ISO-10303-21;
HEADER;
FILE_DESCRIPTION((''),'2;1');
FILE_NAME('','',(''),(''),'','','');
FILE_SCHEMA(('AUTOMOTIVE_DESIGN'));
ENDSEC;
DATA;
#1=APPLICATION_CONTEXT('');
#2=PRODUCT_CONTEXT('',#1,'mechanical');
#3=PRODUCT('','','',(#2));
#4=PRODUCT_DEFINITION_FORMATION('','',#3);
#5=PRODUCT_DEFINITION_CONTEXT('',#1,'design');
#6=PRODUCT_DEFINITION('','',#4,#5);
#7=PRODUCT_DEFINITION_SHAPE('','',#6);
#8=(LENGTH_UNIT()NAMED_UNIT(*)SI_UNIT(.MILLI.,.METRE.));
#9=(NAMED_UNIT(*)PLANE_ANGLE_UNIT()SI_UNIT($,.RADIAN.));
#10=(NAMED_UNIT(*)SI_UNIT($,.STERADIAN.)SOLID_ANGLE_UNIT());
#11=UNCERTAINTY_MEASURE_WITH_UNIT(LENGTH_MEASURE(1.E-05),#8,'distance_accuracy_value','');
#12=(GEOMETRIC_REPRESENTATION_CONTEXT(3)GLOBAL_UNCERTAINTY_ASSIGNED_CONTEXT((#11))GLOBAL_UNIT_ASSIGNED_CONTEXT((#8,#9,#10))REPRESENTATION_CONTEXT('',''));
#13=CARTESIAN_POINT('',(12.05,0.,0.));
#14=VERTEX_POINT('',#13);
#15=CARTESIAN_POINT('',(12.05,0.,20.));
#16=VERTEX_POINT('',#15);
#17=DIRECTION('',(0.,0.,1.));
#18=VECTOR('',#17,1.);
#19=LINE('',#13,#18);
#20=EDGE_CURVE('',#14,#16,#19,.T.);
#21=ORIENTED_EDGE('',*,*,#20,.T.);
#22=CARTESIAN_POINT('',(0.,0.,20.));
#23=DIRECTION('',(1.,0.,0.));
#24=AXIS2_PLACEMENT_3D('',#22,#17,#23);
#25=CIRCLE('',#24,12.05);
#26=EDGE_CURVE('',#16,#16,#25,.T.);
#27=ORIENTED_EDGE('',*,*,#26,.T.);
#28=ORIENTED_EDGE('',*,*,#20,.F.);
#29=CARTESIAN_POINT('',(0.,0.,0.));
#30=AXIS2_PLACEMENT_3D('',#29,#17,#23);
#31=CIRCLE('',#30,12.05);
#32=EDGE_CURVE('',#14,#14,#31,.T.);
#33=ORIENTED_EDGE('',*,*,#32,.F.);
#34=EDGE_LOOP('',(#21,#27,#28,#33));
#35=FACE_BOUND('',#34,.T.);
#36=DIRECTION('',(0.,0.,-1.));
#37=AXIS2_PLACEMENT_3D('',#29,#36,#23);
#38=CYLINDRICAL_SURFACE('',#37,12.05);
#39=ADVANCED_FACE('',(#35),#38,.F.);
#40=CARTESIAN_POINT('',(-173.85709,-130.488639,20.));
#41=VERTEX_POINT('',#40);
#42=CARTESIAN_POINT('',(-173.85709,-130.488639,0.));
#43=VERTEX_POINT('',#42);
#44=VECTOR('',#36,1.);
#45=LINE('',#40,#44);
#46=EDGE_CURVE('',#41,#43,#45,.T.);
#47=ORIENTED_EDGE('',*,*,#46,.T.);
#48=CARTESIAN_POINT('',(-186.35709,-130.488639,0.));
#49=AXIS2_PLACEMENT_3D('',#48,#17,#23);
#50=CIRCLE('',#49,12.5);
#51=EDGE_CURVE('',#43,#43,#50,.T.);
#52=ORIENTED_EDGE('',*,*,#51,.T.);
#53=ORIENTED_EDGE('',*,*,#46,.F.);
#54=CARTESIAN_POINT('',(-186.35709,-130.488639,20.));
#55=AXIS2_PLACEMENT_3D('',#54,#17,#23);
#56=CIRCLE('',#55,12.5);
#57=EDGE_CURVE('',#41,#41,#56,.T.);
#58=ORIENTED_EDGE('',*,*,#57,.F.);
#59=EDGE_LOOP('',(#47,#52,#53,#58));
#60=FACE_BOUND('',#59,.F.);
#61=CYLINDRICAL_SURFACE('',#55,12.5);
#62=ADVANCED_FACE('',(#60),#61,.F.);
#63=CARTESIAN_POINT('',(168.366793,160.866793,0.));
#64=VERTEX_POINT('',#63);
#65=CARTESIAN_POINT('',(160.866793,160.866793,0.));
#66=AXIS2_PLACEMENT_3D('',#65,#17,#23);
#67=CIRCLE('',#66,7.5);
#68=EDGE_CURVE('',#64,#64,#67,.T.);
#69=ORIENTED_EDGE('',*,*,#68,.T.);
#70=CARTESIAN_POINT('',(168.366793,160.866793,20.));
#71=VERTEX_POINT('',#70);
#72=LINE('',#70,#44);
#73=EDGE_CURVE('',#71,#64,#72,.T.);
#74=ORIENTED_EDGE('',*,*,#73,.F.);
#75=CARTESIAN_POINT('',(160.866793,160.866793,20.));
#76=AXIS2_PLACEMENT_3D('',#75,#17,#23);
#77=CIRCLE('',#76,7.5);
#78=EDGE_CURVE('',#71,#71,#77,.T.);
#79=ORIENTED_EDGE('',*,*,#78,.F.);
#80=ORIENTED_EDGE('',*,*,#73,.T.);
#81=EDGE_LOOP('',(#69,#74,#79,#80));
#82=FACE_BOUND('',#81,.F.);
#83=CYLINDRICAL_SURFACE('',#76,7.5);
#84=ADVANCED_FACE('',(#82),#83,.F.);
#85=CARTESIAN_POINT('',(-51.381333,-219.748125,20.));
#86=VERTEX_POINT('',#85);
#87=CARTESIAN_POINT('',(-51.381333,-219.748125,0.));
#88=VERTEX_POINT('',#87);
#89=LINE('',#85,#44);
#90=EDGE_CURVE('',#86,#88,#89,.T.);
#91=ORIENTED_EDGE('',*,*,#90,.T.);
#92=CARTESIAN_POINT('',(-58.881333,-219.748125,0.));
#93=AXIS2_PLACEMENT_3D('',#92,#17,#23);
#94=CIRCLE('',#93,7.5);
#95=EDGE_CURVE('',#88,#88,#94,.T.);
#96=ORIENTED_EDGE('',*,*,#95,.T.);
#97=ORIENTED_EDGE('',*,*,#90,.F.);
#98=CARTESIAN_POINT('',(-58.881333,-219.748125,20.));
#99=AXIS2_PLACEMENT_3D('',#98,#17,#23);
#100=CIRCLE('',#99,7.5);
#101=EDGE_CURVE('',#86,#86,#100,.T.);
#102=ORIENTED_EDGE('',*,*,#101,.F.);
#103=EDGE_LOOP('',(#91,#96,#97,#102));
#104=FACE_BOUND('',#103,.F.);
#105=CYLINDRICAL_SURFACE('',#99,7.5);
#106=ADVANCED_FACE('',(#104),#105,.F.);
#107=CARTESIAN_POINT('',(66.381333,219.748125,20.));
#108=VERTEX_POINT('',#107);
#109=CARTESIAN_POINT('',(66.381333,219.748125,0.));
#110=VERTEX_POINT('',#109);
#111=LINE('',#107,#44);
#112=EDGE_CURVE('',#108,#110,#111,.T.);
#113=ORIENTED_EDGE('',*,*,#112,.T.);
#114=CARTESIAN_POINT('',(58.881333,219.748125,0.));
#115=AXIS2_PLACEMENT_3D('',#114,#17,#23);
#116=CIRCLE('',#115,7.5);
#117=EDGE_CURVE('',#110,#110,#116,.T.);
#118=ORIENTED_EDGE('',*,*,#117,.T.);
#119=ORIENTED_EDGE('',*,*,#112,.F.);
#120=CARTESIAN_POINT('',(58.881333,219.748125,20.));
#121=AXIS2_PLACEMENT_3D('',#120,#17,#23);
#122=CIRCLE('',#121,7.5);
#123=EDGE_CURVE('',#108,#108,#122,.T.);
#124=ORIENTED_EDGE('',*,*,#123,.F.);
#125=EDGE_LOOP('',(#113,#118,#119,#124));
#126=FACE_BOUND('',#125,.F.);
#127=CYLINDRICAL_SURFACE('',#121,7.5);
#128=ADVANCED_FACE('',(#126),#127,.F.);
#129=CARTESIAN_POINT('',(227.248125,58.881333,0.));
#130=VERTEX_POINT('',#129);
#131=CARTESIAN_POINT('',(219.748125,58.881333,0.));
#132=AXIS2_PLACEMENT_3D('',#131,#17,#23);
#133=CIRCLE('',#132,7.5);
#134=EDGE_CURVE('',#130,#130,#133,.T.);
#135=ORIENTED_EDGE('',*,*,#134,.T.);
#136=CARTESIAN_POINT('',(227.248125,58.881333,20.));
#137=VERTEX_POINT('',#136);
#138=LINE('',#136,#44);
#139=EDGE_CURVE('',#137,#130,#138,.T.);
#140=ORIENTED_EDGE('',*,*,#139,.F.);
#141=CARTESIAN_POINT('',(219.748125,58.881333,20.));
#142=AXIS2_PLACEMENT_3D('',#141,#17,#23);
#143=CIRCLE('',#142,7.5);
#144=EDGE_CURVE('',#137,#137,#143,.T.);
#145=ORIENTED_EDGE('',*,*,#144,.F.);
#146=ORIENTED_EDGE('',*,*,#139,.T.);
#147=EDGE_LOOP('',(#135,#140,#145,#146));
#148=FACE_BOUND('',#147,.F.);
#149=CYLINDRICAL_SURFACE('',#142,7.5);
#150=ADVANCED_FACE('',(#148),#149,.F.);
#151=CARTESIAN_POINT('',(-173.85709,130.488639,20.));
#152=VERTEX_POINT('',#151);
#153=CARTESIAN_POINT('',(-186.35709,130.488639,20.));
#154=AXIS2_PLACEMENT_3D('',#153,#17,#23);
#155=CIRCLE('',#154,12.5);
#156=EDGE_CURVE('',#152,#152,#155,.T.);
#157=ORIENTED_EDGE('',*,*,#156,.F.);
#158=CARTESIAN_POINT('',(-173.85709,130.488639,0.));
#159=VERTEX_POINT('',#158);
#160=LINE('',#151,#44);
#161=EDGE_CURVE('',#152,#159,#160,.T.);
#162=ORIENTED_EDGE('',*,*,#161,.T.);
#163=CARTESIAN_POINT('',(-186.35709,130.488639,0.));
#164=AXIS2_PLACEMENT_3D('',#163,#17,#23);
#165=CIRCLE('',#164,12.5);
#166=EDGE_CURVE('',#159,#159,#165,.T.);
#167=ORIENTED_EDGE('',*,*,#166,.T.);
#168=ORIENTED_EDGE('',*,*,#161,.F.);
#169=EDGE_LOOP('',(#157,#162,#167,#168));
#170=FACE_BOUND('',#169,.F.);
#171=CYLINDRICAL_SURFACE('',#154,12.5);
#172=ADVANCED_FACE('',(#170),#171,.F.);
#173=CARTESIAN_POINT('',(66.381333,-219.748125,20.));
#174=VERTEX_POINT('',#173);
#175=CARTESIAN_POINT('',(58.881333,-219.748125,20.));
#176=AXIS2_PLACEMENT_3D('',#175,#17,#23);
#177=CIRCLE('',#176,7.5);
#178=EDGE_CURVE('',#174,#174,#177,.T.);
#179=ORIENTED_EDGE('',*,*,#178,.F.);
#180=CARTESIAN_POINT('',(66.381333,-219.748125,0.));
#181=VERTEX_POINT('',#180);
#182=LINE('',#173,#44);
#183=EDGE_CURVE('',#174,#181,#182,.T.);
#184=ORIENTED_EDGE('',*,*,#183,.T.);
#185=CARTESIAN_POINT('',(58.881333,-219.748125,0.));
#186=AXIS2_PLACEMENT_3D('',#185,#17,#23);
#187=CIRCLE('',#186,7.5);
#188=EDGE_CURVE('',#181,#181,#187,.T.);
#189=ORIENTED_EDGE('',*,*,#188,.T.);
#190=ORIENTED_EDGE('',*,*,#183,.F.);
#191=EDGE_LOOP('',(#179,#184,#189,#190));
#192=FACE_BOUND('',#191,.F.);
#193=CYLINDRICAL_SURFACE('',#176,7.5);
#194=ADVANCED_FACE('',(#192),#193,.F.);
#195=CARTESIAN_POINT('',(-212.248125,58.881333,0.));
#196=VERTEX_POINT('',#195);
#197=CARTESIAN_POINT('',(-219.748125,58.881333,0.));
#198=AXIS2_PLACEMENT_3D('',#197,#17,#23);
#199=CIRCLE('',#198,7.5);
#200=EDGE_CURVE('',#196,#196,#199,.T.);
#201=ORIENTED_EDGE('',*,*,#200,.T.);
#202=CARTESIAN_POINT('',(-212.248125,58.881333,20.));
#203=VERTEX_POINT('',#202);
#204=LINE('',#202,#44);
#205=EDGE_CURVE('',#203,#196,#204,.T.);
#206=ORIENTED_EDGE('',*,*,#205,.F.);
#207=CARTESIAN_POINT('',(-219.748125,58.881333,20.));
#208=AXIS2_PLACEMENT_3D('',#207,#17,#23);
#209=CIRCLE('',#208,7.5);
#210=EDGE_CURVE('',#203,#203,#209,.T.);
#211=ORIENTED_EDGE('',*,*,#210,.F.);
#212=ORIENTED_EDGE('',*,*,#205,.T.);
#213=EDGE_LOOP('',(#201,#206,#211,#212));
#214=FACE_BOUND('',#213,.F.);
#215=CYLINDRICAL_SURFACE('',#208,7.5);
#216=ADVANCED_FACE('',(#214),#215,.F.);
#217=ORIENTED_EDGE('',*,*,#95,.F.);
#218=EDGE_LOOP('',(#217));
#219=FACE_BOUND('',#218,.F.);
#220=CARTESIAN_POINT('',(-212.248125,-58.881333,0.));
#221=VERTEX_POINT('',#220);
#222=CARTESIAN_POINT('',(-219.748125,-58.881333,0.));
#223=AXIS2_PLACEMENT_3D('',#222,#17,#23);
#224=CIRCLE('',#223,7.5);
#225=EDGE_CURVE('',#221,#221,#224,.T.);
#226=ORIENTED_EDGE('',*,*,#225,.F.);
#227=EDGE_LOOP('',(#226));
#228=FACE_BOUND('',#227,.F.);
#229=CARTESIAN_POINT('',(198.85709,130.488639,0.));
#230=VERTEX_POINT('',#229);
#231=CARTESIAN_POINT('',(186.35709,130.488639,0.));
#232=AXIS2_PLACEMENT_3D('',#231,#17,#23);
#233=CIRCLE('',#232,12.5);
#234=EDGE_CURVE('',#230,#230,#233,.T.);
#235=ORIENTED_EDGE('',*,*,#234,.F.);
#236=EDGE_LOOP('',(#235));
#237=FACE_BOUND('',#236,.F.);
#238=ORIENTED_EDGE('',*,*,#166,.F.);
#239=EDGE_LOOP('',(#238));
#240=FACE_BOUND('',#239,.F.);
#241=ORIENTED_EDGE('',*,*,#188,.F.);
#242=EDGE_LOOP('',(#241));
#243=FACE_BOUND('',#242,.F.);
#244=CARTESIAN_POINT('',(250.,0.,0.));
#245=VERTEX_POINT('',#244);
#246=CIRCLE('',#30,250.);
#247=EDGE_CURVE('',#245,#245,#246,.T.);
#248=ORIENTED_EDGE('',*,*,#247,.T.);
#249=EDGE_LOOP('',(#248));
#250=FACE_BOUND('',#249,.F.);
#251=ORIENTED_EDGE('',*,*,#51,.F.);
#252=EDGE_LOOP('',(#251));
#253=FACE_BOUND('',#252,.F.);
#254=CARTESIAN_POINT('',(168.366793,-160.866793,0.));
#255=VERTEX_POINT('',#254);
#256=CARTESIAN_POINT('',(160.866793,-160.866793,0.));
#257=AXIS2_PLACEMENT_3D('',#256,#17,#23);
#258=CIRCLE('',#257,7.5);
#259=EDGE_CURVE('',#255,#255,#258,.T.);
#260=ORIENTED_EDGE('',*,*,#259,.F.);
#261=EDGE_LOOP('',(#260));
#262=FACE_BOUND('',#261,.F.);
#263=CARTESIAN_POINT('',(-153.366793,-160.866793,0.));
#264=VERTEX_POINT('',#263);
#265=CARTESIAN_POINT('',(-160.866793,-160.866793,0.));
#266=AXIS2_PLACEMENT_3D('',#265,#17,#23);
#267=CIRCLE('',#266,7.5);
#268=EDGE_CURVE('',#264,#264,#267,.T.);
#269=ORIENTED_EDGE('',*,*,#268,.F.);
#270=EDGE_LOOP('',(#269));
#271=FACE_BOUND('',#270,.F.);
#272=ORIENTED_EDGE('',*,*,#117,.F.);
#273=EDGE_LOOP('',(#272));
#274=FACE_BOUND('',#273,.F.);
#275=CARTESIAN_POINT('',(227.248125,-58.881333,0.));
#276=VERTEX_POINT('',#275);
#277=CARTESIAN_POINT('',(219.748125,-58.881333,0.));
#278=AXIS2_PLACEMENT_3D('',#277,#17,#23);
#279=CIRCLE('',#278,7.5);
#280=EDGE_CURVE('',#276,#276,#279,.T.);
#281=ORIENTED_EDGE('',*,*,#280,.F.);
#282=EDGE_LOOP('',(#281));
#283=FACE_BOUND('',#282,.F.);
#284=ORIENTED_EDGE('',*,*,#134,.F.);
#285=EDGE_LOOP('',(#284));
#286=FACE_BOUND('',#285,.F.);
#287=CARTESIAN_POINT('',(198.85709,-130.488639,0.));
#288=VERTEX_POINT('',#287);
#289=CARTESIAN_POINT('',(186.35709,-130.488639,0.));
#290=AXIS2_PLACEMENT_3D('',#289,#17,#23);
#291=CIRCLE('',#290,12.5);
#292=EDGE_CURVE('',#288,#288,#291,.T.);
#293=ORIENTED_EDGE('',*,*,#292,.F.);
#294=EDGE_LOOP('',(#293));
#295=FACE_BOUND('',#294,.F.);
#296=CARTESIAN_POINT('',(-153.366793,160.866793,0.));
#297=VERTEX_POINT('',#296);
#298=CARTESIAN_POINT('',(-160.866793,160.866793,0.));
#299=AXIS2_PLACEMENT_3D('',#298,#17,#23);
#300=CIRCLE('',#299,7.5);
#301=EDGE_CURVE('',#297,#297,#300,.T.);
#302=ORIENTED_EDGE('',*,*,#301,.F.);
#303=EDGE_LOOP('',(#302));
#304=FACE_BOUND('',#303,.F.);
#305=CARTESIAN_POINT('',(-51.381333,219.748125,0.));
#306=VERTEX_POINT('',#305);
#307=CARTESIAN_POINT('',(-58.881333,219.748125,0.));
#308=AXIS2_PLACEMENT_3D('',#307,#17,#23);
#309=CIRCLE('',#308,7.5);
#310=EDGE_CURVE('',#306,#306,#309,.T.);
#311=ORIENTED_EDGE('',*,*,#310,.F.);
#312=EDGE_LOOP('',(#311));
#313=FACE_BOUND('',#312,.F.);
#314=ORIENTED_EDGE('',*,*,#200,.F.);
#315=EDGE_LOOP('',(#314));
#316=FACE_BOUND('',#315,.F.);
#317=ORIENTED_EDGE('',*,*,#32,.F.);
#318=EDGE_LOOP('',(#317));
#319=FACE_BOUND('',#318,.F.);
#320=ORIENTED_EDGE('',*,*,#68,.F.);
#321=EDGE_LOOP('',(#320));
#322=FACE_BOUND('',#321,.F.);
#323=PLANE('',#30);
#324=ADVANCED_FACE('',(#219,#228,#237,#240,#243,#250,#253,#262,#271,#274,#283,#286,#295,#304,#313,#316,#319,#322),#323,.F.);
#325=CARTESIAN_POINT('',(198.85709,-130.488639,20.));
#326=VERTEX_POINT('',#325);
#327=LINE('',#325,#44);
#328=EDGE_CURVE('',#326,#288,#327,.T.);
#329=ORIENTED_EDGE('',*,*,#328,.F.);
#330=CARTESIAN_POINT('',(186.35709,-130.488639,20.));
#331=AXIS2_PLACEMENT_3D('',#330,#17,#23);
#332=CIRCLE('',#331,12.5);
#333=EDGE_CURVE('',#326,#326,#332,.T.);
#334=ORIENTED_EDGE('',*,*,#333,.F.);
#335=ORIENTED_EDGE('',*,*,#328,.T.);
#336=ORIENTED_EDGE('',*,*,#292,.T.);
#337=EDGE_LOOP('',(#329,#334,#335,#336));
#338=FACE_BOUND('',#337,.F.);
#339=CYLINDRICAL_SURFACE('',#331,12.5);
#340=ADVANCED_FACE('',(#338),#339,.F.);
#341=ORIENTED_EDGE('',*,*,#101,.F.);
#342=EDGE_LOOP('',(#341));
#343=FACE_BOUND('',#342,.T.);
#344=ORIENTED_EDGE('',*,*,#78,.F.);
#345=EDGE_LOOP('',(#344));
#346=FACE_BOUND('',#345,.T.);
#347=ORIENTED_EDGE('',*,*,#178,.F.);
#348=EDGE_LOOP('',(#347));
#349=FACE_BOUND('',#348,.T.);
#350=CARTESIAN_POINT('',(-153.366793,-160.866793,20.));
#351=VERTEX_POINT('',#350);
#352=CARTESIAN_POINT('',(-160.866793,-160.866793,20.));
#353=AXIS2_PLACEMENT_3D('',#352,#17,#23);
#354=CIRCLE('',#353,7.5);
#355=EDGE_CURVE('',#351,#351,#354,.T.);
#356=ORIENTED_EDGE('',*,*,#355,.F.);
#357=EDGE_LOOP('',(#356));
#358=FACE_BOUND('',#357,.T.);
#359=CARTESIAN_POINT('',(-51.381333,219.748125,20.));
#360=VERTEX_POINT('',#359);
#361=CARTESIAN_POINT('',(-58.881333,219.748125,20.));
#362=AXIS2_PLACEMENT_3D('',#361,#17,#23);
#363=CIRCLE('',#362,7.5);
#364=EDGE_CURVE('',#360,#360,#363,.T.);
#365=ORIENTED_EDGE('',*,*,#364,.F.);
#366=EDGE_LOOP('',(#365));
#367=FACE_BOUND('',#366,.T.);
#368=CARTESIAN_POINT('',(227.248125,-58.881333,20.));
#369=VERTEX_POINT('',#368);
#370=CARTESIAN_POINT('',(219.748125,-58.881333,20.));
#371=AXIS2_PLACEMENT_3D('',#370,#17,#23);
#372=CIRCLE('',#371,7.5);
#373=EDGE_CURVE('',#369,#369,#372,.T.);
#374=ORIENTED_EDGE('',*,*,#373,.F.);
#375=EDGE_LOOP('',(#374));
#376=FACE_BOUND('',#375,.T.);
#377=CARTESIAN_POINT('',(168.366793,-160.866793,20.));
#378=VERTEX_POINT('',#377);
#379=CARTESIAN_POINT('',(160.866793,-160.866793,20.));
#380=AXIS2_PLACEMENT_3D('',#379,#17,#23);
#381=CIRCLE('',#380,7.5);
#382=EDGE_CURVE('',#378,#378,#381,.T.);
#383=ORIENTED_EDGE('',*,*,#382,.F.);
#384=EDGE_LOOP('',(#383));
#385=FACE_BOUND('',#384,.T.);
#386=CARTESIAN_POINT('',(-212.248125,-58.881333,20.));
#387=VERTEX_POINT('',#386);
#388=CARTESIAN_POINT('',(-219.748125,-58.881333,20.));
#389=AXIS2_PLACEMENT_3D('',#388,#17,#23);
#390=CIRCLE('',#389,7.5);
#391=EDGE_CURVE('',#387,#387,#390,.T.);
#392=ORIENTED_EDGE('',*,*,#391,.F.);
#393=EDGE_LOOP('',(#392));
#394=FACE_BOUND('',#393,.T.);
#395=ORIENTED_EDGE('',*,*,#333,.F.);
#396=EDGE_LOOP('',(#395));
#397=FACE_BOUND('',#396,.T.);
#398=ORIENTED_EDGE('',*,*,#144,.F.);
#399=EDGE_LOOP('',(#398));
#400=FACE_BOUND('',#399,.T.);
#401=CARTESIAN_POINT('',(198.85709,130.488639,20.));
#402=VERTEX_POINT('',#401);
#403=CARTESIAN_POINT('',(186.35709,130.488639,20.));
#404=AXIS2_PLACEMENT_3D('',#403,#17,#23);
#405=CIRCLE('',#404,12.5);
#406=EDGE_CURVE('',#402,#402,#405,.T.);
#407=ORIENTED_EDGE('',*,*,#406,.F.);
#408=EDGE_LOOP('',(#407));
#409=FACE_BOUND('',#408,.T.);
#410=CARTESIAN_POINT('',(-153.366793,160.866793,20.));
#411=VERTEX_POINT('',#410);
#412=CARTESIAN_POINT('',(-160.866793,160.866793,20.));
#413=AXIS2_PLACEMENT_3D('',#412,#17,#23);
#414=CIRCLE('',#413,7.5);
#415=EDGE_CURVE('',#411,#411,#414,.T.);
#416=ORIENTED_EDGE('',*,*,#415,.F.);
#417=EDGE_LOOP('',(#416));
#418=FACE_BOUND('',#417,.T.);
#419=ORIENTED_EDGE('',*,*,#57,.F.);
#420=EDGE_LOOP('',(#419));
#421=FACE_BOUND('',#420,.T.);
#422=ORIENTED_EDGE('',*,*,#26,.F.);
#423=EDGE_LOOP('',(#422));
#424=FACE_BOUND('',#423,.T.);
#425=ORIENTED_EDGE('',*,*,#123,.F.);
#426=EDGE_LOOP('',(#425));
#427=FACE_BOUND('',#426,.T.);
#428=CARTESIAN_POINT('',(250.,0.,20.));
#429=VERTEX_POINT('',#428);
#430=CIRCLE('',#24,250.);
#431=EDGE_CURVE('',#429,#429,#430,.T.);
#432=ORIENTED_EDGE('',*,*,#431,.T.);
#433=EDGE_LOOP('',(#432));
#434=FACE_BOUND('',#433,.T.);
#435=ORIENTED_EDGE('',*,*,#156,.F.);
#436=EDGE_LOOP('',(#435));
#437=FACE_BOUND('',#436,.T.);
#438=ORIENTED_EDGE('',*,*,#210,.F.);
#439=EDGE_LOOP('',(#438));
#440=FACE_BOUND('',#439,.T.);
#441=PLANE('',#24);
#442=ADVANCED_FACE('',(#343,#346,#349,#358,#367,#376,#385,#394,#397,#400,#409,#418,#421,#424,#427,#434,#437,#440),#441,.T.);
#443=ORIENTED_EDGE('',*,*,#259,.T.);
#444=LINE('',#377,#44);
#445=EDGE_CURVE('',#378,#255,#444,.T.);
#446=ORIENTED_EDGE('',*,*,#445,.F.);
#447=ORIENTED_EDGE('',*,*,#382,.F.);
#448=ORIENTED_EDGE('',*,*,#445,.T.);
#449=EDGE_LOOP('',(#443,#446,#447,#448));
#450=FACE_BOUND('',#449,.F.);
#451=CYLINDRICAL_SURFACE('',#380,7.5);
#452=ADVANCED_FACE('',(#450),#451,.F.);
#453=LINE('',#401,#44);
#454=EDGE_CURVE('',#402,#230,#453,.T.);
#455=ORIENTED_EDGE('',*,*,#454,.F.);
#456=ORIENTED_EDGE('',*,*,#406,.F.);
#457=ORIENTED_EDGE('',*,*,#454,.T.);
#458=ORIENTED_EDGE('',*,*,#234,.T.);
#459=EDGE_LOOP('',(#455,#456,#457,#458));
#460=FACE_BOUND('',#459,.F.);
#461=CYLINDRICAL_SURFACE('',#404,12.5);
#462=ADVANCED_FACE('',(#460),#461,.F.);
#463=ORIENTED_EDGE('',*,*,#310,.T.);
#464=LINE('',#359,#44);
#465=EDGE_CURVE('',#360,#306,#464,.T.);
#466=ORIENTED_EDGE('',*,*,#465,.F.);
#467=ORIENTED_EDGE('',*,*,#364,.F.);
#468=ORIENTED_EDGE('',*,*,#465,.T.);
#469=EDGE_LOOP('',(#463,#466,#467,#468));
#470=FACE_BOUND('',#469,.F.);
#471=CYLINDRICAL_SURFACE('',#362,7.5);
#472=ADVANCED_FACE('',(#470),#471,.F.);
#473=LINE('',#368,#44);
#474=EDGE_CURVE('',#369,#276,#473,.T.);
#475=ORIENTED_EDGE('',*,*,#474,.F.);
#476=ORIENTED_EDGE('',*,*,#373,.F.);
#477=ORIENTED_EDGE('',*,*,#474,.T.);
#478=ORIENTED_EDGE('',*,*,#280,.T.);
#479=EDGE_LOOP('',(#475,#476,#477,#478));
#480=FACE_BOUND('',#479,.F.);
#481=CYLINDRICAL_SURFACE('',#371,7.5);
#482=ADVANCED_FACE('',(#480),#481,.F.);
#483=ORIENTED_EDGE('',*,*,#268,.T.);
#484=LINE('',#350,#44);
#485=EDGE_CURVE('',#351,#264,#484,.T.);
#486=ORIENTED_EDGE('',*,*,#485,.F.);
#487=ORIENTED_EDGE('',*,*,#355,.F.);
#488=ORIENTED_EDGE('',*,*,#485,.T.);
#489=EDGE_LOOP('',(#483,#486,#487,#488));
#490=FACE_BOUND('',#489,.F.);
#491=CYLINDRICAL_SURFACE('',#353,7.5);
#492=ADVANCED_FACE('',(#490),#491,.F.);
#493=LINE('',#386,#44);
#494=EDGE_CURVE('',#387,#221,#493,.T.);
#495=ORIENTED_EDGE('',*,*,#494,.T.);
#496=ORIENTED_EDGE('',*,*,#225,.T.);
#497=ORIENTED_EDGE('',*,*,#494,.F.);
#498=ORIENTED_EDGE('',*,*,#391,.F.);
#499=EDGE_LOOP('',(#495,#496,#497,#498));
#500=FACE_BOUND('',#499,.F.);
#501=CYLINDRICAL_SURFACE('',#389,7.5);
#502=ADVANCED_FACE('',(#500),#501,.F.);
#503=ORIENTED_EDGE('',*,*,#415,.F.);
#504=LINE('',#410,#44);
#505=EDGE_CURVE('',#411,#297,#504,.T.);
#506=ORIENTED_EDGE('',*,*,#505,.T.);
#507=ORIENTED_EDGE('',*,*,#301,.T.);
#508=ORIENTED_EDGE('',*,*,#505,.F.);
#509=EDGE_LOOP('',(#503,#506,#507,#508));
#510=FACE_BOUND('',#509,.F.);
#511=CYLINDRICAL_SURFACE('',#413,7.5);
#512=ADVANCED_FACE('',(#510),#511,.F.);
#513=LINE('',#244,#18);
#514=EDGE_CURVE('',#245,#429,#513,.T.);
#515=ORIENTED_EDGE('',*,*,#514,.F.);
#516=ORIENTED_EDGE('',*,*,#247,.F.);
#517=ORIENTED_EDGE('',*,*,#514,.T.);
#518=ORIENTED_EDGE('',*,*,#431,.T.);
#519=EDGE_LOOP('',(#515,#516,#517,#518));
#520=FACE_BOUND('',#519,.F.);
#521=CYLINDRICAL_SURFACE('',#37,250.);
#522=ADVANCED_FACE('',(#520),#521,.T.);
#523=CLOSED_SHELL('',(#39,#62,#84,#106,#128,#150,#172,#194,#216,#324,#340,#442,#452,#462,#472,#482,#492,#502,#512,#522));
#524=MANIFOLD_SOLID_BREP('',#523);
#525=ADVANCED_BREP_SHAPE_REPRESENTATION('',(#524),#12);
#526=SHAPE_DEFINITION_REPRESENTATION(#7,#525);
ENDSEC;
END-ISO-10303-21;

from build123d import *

# Parameters (mm, degrees)
F0_R     = 250
F0_R_2   = 12.05
F1_DEPTH = 20
F2_R     = 7.5
F3_DEPTH = 20
F4_R     = 12.5
F5_DEPTH = 20


with BuildPart() as f1:
    # F0 (on Top) → F1 (new body)
    with BuildSketch(Plane.XY):
        Circle(F0_R)
        Circle(F0_R_2, mode=Mode.SUBTRACT)
    extrude(amount=F1_DEPTH)

    # F2 (on face) → F3 (cut, through all)
    with BuildSketch(Plane.XY.offset(20)):
        with Locations((219.748125, 58.881333)):
            Circle(F2_R)
        with Locations((160.866793, 160.866793)):
            Circle(F2_R)
        with Locations((58.881333, 219.748125)):
            Circle(F2_R)
        with Locations((-58.881333, 219.748125)):
            Circle(F2_R)
        with Locations((-160.866793, 160.866793)):
            Circle(F2_R)
        with Locations((-219.748125, 58.881333)):
            Circle(F2_R)
        with Locations((-219.748125, -58.881333)):
            Circle(F2_R)
        with Locations((-160.866793, -160.866793)):
            Circle(F2_R)
        with Locations((-58.881333, -219.748125)):
            Circle(F2_R)
        with Locations((58.881333, -219.748125)):
            Circle(F2_R)
        with Locations((160.866793, -160.866793)):
            Circle(F2_R)
        with Locations((219.748125, -58.881333)):
            Circle(F2_R)
    extrude(amount=-F3_DEPTH, mode=Mode.SUBTRACT)

    # F4 (on face) → F5 (cut)
    with BuildSketch(Plane.XY.offset(20)):
        with Locations((186.35709, 130.488639)):
            Circle(F4_R)
        with Locations((-186.35709, 130.488639)):
            Circle(F4_R)
        with Locations((-186.35709, -130.488639)):
            Circle(F4_R)
        with Locations((186.35709, -130.488639)):
            Circle(F4_R)
    extrude(amount=-F5_DEPTH, mode=Mode.SUBTRACT)


solid = f1.part
